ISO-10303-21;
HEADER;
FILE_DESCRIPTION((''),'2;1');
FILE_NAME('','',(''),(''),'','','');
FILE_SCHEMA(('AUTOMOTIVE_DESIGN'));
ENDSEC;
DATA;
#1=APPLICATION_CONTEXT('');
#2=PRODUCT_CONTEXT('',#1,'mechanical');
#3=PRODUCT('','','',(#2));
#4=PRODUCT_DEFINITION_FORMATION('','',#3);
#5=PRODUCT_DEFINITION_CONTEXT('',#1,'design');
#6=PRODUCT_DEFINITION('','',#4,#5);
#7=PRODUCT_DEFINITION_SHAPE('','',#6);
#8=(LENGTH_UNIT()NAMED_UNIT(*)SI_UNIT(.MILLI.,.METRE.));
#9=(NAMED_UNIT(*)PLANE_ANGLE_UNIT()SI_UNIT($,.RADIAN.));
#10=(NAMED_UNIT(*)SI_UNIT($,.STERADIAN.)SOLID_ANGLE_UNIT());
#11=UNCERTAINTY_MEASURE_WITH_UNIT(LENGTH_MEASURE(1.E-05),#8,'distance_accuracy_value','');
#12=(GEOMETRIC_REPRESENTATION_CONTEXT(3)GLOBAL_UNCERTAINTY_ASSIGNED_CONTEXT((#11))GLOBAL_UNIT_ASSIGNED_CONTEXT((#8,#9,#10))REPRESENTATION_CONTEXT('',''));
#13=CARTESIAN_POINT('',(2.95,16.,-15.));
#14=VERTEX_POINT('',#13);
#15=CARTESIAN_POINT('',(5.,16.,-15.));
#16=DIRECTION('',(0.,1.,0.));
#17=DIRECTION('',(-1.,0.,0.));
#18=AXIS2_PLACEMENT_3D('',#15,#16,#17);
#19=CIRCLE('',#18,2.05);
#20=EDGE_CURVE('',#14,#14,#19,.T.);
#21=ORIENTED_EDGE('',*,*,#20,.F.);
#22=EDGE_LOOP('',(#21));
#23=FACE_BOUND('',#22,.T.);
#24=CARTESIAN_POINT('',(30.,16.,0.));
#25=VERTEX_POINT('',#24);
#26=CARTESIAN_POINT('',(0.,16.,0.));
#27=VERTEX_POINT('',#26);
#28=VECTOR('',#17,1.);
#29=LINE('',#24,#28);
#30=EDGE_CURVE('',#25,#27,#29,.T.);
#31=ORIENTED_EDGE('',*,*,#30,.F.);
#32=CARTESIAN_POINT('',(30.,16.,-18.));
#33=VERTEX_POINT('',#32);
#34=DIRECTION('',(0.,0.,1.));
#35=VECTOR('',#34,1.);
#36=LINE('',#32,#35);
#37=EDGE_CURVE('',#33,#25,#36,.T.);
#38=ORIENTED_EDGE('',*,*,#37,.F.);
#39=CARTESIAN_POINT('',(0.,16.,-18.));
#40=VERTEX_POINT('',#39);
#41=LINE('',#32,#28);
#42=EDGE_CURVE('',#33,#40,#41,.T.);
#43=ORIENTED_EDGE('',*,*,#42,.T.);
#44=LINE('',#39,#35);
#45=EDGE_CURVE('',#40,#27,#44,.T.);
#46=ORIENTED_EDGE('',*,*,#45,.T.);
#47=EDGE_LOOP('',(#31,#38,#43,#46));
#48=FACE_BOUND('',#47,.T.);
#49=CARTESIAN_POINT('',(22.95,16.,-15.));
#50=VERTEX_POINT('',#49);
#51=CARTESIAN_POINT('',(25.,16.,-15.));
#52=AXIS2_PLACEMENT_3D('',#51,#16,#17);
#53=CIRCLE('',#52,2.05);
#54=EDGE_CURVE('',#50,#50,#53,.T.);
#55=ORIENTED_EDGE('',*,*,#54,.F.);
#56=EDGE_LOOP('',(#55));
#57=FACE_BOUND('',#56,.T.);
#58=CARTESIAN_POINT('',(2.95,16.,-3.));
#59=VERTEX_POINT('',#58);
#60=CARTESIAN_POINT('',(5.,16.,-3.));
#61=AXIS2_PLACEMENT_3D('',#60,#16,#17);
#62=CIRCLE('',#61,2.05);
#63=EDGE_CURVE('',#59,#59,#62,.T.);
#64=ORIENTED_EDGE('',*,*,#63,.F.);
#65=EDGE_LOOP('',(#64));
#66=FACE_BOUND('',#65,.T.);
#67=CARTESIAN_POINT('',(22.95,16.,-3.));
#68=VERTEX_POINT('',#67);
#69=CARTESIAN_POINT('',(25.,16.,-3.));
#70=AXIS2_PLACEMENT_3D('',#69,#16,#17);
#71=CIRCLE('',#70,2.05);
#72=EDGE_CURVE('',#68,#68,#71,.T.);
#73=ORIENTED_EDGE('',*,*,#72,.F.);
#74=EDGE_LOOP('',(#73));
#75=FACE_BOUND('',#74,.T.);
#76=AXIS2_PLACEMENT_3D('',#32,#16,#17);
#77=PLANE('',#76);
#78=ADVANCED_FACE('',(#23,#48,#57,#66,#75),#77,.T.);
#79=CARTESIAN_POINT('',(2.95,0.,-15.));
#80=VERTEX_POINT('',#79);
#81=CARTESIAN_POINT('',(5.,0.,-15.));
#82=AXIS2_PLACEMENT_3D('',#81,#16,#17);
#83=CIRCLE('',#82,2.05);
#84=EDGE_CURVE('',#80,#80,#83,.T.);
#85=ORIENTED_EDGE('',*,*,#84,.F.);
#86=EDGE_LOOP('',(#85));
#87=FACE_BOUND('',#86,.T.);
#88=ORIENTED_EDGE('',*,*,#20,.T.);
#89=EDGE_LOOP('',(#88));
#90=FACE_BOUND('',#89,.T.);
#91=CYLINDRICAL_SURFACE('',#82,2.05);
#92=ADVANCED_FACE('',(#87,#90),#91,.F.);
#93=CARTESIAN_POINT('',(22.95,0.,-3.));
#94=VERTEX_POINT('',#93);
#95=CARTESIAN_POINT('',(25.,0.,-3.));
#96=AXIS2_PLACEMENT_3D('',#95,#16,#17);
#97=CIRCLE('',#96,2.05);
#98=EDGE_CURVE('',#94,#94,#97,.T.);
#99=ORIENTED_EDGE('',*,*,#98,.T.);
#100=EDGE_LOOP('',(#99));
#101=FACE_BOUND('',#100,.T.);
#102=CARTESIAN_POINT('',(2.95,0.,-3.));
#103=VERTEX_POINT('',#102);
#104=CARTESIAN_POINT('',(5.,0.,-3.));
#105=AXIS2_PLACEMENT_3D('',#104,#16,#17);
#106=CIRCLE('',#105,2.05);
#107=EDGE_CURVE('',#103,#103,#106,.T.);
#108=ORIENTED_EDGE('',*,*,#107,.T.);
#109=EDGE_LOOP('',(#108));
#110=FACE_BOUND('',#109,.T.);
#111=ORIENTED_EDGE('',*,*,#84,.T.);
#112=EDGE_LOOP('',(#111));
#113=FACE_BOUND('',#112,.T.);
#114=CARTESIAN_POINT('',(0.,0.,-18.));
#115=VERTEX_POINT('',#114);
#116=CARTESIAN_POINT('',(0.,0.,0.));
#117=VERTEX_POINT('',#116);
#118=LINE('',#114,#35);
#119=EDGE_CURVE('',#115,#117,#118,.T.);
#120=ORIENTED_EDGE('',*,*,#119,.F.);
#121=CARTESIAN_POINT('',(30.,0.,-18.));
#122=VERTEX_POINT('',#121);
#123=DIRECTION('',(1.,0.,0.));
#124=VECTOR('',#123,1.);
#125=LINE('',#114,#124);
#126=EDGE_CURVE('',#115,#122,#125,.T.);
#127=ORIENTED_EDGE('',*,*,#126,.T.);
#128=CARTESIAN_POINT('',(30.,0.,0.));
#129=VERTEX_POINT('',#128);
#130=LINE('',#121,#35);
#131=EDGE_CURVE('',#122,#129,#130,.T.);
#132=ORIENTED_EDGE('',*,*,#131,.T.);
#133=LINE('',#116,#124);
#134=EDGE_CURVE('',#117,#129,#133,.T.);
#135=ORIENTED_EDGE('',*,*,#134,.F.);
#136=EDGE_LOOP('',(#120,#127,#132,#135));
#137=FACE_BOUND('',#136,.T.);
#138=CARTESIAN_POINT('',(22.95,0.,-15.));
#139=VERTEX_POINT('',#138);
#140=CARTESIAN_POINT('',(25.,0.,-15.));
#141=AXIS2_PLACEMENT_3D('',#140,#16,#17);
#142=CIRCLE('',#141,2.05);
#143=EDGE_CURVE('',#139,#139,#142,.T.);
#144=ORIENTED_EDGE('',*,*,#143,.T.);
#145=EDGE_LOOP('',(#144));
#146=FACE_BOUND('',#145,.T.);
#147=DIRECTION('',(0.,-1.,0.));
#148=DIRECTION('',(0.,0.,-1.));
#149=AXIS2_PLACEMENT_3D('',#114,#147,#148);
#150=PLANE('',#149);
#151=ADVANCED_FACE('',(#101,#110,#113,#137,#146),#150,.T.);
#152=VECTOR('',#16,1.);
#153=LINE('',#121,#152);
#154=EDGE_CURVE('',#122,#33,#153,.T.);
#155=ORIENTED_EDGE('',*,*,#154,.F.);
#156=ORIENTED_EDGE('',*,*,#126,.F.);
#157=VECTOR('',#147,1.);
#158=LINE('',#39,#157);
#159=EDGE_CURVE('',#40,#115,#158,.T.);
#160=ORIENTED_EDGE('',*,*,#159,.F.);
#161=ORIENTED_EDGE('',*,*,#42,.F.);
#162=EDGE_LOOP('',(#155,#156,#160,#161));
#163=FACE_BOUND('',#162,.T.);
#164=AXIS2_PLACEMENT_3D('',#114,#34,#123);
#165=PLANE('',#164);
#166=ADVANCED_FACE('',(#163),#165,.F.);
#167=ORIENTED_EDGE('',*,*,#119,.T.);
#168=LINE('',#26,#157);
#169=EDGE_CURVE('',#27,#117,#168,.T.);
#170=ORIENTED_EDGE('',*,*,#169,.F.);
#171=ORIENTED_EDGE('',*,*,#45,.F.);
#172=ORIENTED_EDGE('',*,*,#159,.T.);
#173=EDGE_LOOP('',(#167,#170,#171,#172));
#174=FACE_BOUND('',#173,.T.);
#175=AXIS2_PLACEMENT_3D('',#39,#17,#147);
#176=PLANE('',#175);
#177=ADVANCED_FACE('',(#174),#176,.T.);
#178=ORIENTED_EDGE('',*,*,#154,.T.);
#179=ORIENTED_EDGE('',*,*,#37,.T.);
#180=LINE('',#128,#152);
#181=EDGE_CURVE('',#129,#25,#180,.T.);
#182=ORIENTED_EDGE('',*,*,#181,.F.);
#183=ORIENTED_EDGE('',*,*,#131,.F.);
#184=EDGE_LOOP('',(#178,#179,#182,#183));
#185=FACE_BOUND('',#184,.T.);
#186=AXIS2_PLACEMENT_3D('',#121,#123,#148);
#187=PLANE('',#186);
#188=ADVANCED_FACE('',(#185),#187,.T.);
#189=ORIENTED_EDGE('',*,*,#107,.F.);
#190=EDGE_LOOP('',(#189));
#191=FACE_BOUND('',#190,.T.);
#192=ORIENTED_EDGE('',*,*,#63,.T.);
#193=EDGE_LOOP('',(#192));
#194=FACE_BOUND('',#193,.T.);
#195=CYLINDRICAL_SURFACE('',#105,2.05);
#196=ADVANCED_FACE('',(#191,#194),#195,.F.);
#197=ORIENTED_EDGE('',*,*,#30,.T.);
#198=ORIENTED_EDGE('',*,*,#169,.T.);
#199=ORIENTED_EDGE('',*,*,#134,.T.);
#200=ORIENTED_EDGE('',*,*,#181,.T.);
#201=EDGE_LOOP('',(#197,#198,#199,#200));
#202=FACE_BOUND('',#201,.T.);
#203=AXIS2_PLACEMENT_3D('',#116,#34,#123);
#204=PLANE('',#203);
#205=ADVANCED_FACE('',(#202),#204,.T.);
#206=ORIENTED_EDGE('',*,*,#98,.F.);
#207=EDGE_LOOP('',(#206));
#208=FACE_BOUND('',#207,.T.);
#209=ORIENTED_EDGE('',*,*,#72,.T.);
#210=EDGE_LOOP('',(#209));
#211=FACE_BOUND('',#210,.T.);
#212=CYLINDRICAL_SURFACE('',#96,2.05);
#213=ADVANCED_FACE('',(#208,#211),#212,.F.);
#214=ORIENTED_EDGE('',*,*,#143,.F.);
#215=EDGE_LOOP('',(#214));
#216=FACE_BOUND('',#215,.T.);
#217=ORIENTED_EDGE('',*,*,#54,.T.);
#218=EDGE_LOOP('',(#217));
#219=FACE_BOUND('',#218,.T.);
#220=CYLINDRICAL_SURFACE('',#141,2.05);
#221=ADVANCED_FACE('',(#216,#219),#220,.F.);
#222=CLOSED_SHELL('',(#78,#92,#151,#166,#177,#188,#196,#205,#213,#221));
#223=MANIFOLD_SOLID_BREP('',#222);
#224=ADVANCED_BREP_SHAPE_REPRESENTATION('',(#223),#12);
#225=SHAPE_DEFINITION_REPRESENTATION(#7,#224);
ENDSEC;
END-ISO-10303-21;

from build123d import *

# Parameters (mm, degrees)
SKETCH2_W           = 30
SKETCH2_H           = 16
BOSS_EXTRUDE1_DEPTH = 18
SKETCH3_R           = 2.05
CUT_EXTRUDE1_DEPTH  = 16


with BuildPart() as part:
    # Sketch2 → Boss-Extrude1 (new body)
    with BuildSketch(Plane.XY):
        with Locations((15, 8)):
            Rectangle(SKETCH2_W, SKETCH2_H)
    extrude(amount=-BOSS_EXTRUDE1_DEPTH)

    # Sketch3 → Cut-Extrude1 (cut)
    with BuildSketch(Plane(origin=(0, 16, 0), x_dir=(1, 0, 0), z_dir=(0, 1, 0))):
        with Locations(Location((25, 15, 0), (0, 0, 180))):
            Circle(SKETCH3_R)
        with Locations(Location((25, 3, 0), (0, 0, 180))):
            Circle(SKETCH3_R)
        with Locations(Location((5, 3, 0), (0, 0, 180))):
            Circle(SKETCH3_R)
        with Locations(Location((5, 15, 0), (0, 0, 180))):
            Circle(SKETCH3_R)
    extrude(amount=-CUT_EXTRUDE1_DEPTH, mode=Mode.SUBTRACT)


solid = part.part
